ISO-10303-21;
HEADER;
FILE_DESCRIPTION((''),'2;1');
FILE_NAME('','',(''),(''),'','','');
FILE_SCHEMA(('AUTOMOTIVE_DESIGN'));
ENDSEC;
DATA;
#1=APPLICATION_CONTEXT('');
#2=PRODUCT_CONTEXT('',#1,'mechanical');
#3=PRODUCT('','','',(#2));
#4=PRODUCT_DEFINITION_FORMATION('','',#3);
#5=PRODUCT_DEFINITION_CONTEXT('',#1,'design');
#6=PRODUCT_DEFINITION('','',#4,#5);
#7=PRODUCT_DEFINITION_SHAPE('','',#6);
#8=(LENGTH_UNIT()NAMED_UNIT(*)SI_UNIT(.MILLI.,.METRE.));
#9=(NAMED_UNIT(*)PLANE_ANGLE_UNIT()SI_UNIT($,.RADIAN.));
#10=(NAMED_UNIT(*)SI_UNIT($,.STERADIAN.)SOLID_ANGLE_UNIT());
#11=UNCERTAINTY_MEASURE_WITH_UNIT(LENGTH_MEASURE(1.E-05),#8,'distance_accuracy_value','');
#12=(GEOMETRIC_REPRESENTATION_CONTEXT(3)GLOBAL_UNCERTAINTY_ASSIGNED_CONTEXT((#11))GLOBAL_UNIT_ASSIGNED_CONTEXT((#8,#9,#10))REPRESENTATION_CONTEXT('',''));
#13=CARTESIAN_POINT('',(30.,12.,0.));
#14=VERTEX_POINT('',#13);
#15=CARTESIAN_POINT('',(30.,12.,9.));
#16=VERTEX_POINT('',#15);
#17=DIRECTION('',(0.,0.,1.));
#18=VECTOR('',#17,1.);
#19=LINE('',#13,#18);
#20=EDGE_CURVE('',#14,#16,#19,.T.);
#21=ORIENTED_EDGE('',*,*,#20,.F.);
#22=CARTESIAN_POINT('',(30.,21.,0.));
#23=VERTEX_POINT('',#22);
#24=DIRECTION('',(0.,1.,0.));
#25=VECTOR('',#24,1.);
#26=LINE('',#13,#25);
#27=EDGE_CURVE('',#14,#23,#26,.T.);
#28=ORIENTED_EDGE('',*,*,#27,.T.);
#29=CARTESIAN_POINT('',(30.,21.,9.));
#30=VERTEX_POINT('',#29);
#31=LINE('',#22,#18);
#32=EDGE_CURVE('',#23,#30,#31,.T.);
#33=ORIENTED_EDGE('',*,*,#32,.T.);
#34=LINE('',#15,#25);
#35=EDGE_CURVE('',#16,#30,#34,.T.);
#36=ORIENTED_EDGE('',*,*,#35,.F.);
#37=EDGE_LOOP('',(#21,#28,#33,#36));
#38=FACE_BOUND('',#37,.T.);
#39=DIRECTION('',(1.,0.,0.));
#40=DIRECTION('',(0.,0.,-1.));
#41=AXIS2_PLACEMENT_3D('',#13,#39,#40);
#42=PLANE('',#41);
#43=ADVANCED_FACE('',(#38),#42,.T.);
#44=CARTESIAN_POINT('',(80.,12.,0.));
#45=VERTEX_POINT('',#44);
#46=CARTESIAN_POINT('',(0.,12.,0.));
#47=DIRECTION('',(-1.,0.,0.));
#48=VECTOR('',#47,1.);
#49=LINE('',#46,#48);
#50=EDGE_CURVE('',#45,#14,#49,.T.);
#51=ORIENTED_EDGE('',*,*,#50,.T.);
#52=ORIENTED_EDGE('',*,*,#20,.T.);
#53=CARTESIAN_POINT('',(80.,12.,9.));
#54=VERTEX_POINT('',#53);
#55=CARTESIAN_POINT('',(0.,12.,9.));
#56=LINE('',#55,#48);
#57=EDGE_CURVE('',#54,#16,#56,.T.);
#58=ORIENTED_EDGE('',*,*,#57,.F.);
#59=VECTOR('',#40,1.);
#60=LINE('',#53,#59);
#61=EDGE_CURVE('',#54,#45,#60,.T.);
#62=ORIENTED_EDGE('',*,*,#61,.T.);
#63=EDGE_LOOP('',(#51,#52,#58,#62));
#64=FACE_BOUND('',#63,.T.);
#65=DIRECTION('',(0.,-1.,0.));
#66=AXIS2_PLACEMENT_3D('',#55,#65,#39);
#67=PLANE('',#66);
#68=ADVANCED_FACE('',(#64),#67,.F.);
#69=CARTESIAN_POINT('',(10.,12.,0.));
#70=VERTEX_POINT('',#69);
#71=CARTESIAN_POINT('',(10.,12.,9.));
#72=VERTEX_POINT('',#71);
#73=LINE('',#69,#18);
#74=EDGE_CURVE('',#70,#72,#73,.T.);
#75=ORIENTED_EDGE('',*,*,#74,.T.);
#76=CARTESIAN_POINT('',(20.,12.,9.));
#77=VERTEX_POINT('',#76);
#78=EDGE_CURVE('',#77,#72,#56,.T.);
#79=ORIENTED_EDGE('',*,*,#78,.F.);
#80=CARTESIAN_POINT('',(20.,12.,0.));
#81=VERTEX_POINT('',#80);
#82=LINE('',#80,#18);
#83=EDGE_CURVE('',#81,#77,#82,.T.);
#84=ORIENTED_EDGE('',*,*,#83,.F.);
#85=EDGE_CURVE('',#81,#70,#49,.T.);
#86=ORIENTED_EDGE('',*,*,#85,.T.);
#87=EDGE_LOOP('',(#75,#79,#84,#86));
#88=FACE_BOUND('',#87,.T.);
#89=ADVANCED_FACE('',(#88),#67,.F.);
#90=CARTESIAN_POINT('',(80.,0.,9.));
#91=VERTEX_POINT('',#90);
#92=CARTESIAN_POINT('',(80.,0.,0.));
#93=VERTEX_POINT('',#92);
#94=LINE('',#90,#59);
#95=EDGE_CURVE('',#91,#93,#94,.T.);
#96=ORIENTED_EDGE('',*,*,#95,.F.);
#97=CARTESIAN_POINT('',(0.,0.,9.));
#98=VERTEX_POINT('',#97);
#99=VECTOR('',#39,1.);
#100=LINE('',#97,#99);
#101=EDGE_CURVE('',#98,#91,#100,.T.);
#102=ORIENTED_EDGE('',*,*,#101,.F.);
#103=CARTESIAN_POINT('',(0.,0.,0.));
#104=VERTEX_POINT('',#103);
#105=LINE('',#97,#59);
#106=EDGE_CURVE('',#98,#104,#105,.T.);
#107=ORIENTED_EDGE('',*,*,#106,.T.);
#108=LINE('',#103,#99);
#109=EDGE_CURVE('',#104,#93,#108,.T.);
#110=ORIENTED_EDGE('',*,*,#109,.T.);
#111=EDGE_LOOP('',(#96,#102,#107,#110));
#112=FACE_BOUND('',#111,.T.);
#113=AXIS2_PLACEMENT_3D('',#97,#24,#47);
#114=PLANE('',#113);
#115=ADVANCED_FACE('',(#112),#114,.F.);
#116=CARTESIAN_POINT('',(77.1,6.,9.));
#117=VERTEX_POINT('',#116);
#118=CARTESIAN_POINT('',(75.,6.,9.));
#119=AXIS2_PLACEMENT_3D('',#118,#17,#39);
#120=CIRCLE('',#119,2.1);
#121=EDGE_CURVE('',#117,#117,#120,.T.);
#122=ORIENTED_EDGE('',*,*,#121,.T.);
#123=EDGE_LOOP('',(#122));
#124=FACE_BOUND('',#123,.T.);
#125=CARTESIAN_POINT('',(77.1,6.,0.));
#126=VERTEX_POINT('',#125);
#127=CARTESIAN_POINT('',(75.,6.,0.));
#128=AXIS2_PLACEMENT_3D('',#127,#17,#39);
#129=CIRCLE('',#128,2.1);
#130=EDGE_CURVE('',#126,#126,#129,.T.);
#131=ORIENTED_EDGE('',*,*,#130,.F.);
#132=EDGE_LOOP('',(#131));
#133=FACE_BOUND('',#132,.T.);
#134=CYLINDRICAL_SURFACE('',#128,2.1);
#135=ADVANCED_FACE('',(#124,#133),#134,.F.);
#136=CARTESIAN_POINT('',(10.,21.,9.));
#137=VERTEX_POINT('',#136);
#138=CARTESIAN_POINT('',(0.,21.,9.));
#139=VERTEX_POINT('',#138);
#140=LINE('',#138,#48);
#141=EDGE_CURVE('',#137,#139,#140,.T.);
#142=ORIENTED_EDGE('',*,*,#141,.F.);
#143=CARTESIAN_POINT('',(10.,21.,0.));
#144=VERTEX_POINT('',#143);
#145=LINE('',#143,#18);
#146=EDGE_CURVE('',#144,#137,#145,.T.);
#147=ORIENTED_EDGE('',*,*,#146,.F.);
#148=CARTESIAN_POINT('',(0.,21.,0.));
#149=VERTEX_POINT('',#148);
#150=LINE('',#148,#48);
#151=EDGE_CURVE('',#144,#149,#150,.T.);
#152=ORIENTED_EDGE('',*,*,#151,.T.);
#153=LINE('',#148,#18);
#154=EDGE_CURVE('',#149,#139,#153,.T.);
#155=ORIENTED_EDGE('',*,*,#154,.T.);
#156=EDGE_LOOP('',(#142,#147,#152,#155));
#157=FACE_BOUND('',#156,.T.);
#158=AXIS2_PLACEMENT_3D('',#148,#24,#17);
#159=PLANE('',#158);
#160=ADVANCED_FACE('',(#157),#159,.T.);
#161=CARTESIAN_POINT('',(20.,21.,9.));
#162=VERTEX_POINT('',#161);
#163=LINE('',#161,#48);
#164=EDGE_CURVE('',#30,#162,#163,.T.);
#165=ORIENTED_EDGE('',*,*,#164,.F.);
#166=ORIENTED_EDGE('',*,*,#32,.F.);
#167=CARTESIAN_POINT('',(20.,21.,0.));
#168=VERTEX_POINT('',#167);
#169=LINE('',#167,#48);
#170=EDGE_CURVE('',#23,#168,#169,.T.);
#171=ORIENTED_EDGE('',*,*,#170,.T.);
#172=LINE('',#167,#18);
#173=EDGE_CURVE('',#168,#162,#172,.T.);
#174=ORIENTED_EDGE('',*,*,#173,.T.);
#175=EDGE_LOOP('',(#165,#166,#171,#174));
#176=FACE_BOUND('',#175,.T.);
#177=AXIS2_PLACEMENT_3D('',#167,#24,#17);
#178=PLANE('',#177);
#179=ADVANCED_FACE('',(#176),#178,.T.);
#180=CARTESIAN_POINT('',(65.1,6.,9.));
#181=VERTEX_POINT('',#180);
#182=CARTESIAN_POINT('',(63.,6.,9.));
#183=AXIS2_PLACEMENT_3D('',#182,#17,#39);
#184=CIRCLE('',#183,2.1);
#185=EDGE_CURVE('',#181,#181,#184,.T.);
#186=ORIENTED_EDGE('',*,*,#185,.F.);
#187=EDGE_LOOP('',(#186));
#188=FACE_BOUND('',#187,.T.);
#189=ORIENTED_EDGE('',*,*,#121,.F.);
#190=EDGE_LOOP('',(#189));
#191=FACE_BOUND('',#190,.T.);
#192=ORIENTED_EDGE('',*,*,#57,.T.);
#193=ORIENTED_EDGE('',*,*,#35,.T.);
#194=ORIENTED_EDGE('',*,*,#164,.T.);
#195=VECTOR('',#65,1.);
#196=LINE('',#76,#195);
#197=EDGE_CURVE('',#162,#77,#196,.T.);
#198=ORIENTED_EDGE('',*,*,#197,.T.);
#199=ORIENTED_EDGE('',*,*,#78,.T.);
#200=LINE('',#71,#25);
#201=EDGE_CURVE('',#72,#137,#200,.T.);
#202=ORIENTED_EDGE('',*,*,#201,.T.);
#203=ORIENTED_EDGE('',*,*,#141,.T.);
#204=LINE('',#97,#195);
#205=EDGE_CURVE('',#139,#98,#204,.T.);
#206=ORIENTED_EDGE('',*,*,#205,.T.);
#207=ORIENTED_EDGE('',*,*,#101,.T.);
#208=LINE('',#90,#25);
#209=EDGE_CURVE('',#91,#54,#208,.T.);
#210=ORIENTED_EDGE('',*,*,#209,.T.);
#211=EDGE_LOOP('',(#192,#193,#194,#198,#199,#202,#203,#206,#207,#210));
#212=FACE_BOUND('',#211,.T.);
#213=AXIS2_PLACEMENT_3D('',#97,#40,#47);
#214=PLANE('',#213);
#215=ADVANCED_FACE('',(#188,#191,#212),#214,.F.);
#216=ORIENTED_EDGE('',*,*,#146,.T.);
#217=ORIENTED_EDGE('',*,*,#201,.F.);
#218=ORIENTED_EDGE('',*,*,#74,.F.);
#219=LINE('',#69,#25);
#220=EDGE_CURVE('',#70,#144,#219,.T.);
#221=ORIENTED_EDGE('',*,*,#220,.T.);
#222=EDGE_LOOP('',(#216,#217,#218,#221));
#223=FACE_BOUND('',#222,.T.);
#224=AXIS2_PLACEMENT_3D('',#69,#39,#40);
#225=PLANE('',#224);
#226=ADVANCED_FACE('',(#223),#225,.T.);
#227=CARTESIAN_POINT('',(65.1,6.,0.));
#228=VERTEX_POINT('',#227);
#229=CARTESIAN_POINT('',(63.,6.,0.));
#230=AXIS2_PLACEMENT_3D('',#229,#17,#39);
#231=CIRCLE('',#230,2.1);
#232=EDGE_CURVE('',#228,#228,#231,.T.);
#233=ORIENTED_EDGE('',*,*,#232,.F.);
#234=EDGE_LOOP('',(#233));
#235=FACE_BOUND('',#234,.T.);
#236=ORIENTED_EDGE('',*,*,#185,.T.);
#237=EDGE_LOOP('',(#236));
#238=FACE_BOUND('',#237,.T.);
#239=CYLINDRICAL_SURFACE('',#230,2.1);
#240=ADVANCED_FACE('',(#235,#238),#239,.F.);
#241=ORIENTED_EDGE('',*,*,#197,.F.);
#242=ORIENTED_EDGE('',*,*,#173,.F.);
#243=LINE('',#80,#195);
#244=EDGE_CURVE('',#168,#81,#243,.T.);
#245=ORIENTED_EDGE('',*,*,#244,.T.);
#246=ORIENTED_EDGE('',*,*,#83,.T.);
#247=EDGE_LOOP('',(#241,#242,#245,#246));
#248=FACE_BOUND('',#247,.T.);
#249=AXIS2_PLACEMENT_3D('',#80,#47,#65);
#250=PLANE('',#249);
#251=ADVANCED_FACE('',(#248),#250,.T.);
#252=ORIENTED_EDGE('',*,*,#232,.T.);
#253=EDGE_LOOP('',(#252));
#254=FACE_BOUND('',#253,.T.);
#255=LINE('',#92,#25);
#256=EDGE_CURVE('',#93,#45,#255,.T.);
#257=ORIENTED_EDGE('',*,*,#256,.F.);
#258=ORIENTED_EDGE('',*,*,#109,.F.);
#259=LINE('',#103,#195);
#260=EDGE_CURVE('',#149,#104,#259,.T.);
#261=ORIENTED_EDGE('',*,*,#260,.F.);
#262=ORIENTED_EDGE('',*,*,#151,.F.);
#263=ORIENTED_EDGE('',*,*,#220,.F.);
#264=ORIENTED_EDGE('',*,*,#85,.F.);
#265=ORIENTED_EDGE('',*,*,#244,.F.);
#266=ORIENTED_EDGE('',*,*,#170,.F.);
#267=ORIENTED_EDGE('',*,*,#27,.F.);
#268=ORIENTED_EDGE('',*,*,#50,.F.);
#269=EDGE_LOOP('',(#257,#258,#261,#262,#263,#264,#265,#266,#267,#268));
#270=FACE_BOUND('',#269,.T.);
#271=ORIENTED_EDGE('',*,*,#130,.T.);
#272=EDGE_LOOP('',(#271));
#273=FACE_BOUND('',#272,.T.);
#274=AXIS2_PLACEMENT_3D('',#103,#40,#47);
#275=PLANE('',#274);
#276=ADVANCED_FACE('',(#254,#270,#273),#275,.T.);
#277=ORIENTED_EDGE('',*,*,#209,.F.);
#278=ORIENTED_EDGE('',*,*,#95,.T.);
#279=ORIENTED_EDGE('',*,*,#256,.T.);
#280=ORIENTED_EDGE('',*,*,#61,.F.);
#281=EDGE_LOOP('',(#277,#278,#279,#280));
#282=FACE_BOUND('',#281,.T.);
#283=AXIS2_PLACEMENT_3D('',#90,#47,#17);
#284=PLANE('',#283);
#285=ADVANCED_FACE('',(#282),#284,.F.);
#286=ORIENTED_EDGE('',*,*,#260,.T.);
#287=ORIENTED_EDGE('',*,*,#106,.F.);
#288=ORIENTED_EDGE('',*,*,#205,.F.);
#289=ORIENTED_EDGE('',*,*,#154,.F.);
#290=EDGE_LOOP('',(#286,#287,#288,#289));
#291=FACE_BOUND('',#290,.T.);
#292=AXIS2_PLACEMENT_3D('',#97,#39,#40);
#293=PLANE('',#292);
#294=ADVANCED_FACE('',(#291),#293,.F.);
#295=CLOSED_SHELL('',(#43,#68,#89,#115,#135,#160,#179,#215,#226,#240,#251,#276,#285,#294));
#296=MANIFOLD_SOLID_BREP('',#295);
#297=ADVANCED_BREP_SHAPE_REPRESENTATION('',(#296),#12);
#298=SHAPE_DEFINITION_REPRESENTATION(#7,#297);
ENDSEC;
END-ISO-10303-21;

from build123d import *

# Parameters (mm, degrees)
ESQUISSE1_W             = 80
ESQUISSE1_H             = 12
BOSS_EXTRU_1_DEPTH      = 9
ESQUISSE2_W             = 10
ESQUISSE2_H             = 9
BOSS_EXTRU_2_DEPTH      = 9
ESQUISSE3_R             = 2.1
ENL_V_MAT_EXTRU_1_DEPTH = 84.19855768


with BuildPart() as part:
    # Esquisse1 → Boss.-Extru.1 (new body)
    with BuildSketch(Plane.XY):
        with Locations((40, 6)):
            Rectangle(ESQUISSE1_W, ESQUISSE1_H)
    extrude(amount=BOSS_EXTRU_1_DEPTH)

    # Esquisse2 → Boss.-Extru.2 (add)
    with BuildSketch(Plane.XY.offset(9)):
        with Locations((5, 16.5)):
            Rectangle(ESQUISSE2_W, ESQUISSE2_H)
        with Locations((25, 16.5)):
            Rectangle(ESQUISSE2_W, ESQUISSE2_H)
    extrude(amount=-BOSS_EXTRU_2_DEPTH)

    # Esquisse3 → Enlèv. mat.-Extru.1 (cut, through all)
    with BuildSketch(Plane.XY.offset(9)):
        with Locations((63, 6)):
            Circle(ESQUISSE3_R)
        with Locations((75, 6)):
            Circle(ESQUISSE3_R)
    extrude(amount=-ENL_V_MAT_EXTRU_1_DEPTH, mode=Mode.SUBTRACT)


solid = part.part
